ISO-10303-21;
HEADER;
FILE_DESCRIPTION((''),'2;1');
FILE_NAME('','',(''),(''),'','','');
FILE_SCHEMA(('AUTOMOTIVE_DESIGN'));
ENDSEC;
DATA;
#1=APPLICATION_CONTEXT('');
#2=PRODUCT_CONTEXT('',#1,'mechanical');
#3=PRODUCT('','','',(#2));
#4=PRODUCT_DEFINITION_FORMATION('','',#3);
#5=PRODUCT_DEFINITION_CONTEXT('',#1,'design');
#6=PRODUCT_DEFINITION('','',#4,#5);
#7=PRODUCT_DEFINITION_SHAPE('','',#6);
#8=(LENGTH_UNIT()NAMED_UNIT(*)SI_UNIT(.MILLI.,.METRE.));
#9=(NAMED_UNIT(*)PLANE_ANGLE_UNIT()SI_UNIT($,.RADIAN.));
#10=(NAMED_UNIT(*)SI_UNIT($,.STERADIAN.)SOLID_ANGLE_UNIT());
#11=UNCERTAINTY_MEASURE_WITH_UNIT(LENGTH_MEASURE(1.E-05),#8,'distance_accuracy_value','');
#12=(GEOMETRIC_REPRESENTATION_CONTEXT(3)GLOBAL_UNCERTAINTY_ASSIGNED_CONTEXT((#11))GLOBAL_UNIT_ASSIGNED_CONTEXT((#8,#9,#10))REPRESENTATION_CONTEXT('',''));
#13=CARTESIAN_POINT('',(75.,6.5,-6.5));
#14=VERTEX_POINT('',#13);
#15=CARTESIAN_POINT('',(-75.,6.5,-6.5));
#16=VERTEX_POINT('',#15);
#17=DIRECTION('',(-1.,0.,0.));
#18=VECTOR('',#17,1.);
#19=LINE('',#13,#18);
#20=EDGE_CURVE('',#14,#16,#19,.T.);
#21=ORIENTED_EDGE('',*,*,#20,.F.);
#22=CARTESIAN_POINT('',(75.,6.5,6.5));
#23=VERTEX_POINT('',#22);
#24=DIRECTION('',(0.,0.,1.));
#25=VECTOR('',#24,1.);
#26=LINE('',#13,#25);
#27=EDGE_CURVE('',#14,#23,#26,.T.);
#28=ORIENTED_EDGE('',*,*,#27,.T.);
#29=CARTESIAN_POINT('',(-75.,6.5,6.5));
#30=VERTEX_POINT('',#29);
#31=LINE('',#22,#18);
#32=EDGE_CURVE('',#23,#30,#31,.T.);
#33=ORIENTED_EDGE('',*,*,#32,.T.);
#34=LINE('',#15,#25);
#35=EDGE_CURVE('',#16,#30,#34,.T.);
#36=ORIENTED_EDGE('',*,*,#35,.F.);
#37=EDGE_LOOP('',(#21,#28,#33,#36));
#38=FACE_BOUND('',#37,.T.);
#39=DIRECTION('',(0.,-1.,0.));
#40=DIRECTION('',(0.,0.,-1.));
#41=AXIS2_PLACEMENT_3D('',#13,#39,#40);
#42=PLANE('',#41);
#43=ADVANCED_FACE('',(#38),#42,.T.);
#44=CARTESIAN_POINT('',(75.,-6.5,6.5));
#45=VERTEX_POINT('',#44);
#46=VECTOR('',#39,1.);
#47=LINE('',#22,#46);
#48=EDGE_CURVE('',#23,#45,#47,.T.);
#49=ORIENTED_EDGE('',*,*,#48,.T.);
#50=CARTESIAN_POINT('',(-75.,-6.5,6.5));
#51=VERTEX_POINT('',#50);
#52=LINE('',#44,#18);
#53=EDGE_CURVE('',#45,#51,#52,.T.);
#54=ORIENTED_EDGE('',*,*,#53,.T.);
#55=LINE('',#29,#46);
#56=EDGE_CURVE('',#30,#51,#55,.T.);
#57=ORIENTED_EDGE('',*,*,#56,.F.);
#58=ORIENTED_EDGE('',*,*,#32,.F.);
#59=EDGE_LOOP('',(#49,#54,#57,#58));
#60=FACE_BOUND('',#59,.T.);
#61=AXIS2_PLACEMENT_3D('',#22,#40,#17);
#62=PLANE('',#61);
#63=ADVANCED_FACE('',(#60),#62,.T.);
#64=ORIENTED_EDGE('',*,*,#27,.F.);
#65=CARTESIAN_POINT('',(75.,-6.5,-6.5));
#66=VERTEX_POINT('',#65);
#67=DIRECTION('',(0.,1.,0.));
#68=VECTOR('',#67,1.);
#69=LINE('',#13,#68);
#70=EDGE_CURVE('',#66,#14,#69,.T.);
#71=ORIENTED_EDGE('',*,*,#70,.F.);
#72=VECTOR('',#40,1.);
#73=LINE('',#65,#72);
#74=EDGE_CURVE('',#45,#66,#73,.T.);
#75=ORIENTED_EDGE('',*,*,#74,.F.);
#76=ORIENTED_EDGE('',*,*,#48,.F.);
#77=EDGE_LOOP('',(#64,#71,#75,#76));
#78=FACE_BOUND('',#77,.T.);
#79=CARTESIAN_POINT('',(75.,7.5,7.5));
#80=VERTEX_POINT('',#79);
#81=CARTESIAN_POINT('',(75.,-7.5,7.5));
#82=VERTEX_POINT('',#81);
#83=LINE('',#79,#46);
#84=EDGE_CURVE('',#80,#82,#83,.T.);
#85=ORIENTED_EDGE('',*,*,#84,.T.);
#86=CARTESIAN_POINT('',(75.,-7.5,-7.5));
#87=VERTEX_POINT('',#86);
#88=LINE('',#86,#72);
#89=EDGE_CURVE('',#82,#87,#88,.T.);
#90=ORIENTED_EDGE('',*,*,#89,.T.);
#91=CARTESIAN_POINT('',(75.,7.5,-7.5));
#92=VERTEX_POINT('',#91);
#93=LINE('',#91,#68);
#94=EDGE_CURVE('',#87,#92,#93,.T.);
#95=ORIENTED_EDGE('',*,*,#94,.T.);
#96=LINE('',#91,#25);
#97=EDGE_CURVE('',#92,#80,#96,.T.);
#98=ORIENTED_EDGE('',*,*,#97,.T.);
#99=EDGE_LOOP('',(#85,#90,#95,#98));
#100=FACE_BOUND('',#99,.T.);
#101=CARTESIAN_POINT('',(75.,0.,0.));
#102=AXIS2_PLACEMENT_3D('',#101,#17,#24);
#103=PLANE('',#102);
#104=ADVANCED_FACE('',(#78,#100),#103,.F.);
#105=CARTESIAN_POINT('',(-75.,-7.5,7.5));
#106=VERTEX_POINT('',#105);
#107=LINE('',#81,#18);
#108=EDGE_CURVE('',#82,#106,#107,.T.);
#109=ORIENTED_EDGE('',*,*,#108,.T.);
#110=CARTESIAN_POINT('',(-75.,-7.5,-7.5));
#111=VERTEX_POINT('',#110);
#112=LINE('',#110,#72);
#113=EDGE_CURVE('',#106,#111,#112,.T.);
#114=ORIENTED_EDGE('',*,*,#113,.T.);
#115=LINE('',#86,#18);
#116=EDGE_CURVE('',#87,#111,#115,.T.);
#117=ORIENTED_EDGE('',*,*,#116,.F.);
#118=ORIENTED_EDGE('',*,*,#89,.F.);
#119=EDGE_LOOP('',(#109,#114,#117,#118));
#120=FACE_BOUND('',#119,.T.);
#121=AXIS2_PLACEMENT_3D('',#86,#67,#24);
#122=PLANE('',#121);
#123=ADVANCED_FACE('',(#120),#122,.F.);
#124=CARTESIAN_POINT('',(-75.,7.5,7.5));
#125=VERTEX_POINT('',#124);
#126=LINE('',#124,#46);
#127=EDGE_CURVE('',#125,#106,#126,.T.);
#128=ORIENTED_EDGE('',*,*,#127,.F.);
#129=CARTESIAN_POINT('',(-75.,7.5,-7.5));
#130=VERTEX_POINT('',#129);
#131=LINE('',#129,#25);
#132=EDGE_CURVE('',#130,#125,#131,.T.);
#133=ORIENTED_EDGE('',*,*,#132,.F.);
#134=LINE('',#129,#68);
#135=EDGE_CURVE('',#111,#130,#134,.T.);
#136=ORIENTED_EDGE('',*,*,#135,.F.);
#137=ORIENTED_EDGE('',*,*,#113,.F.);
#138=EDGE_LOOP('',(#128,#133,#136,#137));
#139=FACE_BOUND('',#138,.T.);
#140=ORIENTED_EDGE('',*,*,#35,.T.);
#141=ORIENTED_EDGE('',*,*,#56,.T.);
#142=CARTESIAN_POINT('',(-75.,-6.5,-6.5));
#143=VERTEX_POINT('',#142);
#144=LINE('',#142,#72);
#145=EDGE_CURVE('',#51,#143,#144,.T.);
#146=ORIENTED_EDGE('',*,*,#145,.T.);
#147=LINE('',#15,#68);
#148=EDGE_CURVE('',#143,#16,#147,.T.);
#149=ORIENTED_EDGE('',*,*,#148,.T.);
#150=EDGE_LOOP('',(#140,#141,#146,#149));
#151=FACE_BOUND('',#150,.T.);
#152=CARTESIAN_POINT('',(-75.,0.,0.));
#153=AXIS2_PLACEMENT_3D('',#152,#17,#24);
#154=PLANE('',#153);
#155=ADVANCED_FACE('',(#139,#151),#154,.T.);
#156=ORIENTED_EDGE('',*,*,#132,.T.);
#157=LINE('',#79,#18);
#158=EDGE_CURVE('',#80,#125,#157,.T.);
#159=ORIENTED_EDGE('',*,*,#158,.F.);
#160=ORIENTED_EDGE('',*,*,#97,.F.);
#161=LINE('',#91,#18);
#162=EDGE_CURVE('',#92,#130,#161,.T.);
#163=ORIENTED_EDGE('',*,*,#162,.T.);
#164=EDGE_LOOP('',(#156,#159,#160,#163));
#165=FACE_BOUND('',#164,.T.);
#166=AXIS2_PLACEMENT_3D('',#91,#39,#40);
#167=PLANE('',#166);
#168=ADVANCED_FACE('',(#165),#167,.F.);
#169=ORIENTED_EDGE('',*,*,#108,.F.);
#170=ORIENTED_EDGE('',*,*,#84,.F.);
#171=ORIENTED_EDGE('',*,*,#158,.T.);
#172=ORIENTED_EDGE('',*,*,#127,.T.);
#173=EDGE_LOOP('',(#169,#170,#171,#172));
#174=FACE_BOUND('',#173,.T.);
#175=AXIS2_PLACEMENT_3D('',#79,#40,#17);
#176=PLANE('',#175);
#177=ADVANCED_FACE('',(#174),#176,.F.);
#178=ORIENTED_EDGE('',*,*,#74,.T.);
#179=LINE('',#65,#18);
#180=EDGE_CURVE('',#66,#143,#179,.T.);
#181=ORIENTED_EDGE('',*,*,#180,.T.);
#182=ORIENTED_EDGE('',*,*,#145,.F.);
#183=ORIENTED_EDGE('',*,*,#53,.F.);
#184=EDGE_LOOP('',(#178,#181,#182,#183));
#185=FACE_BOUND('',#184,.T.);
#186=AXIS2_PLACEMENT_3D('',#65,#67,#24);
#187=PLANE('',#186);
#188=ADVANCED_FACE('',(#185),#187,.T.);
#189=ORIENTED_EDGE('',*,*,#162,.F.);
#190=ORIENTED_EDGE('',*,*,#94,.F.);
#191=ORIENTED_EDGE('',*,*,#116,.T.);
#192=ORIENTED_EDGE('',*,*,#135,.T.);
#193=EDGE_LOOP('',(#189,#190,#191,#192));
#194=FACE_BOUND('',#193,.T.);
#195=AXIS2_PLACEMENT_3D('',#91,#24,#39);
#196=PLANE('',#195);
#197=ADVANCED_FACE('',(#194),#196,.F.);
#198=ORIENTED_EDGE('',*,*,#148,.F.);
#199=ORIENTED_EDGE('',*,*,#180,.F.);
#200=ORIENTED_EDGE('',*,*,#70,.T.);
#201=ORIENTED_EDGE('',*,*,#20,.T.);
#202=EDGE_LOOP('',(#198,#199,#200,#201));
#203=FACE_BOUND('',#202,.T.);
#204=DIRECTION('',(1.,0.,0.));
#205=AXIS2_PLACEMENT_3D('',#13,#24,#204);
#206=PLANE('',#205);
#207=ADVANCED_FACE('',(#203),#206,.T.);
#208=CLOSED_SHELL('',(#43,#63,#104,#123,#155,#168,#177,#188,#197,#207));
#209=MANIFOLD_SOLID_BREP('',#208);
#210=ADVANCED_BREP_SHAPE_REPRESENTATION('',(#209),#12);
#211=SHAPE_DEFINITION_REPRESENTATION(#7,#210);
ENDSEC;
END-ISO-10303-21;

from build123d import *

# Parameters (mm, degrees)
SKETCH_1_W      = 15
SKETCH_1_H      = 15
SKETCH_1_W_2    = 13
SKETCH_1_H_2    = 13
EXTRUDE_1_DEPTH = 75


with BuildPart() as part:
    # 草图1 → 凸台-拉伸1 (new, symmetric)
    with BuildSketch(Plane(origin=(0, 0, 0), x_dir=(0, 0, -1), z_dir=(1, 0, 0))):
        Rectangle(SKETCH_1_W, SKETCH_1_H)
        Rectangle(SKETCH_1_W_2, SKETCH_1_H_2, mode=Mode.SUBTRACT)
    extrude(amount=EXTRUDE_1_DEPTH, both=True)


solid = part.part
